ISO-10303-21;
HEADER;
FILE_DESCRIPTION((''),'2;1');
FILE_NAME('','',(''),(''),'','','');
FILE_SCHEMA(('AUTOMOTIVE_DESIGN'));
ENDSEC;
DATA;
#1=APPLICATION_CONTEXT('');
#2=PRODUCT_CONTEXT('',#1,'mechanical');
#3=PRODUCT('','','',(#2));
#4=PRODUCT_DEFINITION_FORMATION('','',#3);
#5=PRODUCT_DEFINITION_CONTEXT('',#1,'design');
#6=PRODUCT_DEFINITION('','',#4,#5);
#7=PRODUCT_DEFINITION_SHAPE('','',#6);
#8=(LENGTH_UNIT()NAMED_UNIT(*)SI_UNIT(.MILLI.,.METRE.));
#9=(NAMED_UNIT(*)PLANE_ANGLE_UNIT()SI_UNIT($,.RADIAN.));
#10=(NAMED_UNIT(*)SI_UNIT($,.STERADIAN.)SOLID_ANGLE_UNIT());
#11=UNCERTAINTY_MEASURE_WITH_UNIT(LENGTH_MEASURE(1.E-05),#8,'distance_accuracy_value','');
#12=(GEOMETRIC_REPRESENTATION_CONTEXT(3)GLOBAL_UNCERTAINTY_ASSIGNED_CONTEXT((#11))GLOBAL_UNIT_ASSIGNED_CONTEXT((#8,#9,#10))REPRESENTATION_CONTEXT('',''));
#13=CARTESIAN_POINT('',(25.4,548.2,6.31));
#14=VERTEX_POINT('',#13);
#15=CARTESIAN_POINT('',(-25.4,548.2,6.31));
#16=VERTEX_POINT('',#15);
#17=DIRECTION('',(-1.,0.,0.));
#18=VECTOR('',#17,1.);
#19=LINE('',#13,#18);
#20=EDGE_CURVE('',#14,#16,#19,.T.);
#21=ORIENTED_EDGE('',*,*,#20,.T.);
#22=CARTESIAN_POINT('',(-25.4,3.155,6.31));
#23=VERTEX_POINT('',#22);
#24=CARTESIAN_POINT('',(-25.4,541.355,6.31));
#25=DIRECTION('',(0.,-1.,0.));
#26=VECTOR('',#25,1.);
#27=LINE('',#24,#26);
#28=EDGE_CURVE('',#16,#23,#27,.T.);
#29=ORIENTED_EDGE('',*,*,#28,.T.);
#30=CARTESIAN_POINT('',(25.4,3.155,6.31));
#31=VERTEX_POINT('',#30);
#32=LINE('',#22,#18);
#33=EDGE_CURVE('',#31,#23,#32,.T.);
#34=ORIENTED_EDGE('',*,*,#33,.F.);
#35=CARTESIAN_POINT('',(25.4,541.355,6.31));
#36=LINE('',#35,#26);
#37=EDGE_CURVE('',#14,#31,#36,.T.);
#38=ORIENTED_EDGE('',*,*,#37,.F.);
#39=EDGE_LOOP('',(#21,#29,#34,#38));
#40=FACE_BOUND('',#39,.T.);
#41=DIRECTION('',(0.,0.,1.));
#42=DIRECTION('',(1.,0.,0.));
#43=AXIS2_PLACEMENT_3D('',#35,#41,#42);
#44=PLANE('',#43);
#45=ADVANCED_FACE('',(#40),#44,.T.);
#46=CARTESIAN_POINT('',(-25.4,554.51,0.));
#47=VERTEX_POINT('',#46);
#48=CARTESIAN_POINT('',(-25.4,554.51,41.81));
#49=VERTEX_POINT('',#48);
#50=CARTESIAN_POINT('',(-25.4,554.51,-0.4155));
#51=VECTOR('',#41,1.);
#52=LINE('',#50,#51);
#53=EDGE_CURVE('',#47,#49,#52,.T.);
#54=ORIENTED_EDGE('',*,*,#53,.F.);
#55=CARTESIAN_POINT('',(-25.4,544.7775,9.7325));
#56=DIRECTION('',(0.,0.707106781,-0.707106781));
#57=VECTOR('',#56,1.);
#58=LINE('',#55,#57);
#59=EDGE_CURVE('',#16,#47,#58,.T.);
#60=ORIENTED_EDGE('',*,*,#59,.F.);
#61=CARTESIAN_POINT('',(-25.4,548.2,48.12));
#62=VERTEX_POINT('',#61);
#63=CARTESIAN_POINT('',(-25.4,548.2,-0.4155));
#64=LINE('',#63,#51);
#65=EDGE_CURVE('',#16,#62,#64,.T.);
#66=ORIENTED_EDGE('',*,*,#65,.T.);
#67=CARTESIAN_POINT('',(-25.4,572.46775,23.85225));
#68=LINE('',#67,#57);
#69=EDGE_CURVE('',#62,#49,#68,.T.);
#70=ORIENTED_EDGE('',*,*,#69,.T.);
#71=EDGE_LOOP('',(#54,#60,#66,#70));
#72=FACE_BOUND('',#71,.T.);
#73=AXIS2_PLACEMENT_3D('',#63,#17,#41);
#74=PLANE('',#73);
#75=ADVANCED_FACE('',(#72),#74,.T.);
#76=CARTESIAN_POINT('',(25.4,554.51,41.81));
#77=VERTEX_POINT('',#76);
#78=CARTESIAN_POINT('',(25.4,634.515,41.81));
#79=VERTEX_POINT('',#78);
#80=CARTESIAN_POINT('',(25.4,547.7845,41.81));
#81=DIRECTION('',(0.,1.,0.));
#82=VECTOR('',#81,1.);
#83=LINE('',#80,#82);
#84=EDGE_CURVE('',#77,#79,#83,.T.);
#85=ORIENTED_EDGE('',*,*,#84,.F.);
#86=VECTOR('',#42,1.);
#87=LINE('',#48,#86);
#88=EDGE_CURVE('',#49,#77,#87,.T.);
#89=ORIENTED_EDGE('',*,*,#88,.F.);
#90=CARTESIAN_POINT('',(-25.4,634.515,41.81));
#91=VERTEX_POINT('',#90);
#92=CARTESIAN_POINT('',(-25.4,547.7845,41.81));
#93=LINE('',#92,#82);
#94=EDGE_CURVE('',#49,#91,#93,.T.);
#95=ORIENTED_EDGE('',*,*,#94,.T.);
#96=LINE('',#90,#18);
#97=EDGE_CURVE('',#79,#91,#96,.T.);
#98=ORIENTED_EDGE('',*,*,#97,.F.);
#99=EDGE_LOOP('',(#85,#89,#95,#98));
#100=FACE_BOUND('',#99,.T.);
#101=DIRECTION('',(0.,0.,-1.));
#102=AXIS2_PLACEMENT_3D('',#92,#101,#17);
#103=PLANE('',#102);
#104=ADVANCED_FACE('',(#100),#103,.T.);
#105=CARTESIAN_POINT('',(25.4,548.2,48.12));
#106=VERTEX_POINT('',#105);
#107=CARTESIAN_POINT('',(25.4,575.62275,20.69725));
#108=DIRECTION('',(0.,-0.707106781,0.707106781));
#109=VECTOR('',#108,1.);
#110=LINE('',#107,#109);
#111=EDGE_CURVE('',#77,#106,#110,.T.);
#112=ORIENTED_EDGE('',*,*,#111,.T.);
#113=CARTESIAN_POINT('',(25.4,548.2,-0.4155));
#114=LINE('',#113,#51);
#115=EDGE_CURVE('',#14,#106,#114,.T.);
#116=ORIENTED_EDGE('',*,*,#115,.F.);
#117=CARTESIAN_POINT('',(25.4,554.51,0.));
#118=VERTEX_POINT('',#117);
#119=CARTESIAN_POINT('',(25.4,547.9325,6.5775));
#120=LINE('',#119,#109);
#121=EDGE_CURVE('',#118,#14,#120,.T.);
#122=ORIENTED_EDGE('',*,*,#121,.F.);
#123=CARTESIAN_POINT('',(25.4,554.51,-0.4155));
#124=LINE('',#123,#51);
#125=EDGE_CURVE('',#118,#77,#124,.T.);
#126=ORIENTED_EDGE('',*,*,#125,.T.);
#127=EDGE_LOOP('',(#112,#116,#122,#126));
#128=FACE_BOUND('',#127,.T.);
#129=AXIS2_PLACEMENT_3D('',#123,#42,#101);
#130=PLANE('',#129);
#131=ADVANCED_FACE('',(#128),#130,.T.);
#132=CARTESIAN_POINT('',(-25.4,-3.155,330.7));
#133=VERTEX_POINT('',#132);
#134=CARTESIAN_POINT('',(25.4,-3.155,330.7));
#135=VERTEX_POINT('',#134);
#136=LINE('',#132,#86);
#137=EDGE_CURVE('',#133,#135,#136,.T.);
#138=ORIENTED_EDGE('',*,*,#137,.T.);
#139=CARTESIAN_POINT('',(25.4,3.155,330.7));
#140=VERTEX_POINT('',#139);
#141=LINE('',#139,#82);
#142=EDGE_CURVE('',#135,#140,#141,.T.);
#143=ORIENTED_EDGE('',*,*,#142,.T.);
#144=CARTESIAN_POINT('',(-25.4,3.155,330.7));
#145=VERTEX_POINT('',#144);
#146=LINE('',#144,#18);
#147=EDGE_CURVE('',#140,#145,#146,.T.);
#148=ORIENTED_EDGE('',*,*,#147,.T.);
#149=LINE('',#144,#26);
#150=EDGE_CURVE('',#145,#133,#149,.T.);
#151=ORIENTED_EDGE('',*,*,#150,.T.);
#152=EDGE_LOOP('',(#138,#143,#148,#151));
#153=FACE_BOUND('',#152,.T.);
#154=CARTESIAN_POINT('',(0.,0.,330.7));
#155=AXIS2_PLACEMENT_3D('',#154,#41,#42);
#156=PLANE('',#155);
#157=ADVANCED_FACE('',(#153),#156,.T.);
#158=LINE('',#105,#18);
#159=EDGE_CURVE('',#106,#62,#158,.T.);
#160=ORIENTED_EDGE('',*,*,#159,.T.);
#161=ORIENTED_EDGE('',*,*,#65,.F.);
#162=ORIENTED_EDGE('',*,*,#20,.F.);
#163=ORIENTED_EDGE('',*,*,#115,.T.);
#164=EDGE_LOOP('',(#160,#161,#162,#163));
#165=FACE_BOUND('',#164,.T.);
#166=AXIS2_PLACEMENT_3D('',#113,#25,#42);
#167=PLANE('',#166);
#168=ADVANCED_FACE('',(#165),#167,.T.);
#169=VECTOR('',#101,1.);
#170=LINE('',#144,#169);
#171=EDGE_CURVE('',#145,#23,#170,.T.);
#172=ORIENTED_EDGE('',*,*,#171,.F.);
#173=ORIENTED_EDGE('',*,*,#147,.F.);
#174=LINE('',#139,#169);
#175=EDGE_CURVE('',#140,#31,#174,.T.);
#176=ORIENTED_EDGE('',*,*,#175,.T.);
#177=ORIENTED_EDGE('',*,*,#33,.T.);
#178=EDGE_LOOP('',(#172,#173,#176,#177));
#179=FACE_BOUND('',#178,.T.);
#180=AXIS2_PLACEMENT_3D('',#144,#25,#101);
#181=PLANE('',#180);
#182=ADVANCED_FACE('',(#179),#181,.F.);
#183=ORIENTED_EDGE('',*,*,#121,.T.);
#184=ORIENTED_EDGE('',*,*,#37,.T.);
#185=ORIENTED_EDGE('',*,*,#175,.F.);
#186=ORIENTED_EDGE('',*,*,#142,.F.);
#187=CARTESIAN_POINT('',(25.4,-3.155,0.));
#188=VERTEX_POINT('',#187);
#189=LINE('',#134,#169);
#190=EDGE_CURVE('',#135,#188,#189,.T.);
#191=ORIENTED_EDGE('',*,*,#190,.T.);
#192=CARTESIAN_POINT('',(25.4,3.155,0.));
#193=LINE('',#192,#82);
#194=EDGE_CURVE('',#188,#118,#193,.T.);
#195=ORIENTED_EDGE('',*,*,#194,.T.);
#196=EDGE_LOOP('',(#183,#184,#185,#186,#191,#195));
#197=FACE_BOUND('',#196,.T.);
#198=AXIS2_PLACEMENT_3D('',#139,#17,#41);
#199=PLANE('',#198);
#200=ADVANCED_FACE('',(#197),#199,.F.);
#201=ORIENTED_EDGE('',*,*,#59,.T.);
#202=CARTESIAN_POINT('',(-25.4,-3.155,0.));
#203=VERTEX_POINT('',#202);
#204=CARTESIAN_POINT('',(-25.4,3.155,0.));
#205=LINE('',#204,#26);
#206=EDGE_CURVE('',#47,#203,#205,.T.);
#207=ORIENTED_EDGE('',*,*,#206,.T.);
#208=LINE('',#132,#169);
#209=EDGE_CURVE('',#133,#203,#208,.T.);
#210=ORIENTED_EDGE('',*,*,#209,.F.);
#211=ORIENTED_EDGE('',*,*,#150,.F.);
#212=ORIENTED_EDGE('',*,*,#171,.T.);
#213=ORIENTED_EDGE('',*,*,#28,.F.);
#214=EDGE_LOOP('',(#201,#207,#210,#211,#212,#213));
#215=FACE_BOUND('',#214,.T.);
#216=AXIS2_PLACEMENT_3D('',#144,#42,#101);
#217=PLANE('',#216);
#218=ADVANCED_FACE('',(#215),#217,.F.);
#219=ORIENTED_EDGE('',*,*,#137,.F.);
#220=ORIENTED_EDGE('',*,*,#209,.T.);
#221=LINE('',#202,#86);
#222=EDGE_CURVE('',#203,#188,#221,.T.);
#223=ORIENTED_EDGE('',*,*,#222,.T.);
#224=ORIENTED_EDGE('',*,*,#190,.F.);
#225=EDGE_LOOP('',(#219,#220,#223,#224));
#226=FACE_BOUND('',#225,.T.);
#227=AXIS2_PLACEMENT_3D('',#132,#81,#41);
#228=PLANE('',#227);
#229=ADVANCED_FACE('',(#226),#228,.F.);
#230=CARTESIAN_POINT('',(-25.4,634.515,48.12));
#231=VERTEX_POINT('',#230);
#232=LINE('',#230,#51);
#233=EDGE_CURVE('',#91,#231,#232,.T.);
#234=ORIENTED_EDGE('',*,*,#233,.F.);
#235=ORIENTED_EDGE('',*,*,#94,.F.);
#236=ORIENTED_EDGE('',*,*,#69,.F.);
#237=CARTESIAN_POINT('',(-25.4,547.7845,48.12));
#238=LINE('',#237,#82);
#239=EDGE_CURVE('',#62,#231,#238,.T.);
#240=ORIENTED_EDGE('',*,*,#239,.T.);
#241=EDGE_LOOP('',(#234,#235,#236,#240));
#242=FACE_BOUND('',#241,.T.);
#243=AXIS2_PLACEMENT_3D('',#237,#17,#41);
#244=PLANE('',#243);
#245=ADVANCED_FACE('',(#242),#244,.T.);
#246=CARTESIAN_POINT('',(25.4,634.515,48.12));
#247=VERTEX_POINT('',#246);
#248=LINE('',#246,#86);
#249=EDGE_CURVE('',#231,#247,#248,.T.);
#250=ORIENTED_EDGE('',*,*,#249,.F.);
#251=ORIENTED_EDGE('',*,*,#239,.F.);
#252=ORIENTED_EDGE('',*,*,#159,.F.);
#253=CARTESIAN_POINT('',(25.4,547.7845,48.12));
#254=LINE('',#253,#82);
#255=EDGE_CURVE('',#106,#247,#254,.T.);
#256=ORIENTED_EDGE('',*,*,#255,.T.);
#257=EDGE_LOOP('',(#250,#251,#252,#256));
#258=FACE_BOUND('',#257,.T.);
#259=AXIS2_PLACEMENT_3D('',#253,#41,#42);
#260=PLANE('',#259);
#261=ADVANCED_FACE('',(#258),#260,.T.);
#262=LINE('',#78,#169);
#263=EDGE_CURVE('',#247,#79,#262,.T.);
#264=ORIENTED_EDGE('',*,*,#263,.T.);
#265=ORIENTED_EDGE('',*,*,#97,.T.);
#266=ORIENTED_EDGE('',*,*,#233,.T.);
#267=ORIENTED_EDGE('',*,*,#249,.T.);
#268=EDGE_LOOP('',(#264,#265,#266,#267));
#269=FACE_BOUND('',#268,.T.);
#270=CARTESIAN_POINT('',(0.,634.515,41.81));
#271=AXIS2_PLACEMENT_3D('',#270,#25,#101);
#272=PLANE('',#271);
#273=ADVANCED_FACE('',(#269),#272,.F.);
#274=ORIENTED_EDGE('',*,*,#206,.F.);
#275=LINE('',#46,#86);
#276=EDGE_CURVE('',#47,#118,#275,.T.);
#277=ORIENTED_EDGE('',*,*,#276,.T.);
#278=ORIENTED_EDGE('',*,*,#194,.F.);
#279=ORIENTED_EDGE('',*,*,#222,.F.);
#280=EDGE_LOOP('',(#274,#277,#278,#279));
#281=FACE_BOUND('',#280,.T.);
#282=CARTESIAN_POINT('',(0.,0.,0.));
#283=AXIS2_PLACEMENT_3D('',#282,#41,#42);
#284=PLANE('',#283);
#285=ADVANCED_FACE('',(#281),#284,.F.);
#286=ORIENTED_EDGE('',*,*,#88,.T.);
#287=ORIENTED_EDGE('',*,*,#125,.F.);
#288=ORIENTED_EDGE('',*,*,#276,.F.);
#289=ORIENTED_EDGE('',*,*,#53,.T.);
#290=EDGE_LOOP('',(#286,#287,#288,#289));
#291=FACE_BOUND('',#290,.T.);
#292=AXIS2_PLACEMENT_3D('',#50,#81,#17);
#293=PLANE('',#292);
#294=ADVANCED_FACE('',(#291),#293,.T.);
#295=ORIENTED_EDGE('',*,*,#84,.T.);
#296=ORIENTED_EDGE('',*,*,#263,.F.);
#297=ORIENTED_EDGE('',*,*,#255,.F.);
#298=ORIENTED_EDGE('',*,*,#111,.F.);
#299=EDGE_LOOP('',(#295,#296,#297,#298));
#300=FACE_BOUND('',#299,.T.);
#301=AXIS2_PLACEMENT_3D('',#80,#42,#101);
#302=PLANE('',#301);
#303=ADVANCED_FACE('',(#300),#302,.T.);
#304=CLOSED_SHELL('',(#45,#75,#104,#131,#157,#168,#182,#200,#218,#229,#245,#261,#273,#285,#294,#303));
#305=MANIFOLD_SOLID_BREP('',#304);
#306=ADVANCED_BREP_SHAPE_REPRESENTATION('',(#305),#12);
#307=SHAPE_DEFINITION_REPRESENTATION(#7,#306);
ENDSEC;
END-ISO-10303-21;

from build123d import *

# Parameters (mm, degrees)
CROQUIS1_W              = 50.8
CROQUIS1_H              = 6.31
SALIENTE_EXTRUIR1_DEPTH = 330.7
CROQUIS3_W              = 50.8
CROQUIS3_H              = 6.31
SALIENTE_EXTRUIR2_DEPTH = 544.51
CROQUIS4_W              = 50.8
CROQUIS4_H              = 6.31


with BuildPart() as part:
    # Croquis1 → Saliente-Extruir1 (new body)
    with BuildSketch(Plane.XY):
        Rectangle(CROQUIS1_W, CROQUIS1_H)
    extrude(amount=SALIENTE_EXTRUIR1_DEPTH)

    # Croquis3 → Saliente-Extruir2 (add)
    with BuildSketch(Plane.XZ.offset(3.155)):
        with Locations((0, 3.155)):
            Rectangle(CROQUIS3_W, CROQUIS3_H)
    extrude(amount=-SALIENTE_EXTRUIR2_DEPTH)

    # Barrer1: sweep along a curve in space
    with BuildLine() as barrer1_path:
        Line((0, 541.355, 3.155), (0, 551.355, 3.155))
        Line((0, 551.355, 3.155), (0, 551.355, 44.965))
        Line((0, 551.355, 44.965), (0, 634.515, 44.965))
    # Croquis4 → Barrer1 (sweep)
    with BuildSketch(Plane(origin=(0, 541.355, 0), x_dir=(1, 0, 0), z_dir=(0, 1, 0))):
        with Locations((0, -3.155)):
            Rectangle(CROQUIS4_W, CROQUIS4_H)
    sweep(path=barrer1_path.line, transition=Transition.RIGHT)


solid = part.part
